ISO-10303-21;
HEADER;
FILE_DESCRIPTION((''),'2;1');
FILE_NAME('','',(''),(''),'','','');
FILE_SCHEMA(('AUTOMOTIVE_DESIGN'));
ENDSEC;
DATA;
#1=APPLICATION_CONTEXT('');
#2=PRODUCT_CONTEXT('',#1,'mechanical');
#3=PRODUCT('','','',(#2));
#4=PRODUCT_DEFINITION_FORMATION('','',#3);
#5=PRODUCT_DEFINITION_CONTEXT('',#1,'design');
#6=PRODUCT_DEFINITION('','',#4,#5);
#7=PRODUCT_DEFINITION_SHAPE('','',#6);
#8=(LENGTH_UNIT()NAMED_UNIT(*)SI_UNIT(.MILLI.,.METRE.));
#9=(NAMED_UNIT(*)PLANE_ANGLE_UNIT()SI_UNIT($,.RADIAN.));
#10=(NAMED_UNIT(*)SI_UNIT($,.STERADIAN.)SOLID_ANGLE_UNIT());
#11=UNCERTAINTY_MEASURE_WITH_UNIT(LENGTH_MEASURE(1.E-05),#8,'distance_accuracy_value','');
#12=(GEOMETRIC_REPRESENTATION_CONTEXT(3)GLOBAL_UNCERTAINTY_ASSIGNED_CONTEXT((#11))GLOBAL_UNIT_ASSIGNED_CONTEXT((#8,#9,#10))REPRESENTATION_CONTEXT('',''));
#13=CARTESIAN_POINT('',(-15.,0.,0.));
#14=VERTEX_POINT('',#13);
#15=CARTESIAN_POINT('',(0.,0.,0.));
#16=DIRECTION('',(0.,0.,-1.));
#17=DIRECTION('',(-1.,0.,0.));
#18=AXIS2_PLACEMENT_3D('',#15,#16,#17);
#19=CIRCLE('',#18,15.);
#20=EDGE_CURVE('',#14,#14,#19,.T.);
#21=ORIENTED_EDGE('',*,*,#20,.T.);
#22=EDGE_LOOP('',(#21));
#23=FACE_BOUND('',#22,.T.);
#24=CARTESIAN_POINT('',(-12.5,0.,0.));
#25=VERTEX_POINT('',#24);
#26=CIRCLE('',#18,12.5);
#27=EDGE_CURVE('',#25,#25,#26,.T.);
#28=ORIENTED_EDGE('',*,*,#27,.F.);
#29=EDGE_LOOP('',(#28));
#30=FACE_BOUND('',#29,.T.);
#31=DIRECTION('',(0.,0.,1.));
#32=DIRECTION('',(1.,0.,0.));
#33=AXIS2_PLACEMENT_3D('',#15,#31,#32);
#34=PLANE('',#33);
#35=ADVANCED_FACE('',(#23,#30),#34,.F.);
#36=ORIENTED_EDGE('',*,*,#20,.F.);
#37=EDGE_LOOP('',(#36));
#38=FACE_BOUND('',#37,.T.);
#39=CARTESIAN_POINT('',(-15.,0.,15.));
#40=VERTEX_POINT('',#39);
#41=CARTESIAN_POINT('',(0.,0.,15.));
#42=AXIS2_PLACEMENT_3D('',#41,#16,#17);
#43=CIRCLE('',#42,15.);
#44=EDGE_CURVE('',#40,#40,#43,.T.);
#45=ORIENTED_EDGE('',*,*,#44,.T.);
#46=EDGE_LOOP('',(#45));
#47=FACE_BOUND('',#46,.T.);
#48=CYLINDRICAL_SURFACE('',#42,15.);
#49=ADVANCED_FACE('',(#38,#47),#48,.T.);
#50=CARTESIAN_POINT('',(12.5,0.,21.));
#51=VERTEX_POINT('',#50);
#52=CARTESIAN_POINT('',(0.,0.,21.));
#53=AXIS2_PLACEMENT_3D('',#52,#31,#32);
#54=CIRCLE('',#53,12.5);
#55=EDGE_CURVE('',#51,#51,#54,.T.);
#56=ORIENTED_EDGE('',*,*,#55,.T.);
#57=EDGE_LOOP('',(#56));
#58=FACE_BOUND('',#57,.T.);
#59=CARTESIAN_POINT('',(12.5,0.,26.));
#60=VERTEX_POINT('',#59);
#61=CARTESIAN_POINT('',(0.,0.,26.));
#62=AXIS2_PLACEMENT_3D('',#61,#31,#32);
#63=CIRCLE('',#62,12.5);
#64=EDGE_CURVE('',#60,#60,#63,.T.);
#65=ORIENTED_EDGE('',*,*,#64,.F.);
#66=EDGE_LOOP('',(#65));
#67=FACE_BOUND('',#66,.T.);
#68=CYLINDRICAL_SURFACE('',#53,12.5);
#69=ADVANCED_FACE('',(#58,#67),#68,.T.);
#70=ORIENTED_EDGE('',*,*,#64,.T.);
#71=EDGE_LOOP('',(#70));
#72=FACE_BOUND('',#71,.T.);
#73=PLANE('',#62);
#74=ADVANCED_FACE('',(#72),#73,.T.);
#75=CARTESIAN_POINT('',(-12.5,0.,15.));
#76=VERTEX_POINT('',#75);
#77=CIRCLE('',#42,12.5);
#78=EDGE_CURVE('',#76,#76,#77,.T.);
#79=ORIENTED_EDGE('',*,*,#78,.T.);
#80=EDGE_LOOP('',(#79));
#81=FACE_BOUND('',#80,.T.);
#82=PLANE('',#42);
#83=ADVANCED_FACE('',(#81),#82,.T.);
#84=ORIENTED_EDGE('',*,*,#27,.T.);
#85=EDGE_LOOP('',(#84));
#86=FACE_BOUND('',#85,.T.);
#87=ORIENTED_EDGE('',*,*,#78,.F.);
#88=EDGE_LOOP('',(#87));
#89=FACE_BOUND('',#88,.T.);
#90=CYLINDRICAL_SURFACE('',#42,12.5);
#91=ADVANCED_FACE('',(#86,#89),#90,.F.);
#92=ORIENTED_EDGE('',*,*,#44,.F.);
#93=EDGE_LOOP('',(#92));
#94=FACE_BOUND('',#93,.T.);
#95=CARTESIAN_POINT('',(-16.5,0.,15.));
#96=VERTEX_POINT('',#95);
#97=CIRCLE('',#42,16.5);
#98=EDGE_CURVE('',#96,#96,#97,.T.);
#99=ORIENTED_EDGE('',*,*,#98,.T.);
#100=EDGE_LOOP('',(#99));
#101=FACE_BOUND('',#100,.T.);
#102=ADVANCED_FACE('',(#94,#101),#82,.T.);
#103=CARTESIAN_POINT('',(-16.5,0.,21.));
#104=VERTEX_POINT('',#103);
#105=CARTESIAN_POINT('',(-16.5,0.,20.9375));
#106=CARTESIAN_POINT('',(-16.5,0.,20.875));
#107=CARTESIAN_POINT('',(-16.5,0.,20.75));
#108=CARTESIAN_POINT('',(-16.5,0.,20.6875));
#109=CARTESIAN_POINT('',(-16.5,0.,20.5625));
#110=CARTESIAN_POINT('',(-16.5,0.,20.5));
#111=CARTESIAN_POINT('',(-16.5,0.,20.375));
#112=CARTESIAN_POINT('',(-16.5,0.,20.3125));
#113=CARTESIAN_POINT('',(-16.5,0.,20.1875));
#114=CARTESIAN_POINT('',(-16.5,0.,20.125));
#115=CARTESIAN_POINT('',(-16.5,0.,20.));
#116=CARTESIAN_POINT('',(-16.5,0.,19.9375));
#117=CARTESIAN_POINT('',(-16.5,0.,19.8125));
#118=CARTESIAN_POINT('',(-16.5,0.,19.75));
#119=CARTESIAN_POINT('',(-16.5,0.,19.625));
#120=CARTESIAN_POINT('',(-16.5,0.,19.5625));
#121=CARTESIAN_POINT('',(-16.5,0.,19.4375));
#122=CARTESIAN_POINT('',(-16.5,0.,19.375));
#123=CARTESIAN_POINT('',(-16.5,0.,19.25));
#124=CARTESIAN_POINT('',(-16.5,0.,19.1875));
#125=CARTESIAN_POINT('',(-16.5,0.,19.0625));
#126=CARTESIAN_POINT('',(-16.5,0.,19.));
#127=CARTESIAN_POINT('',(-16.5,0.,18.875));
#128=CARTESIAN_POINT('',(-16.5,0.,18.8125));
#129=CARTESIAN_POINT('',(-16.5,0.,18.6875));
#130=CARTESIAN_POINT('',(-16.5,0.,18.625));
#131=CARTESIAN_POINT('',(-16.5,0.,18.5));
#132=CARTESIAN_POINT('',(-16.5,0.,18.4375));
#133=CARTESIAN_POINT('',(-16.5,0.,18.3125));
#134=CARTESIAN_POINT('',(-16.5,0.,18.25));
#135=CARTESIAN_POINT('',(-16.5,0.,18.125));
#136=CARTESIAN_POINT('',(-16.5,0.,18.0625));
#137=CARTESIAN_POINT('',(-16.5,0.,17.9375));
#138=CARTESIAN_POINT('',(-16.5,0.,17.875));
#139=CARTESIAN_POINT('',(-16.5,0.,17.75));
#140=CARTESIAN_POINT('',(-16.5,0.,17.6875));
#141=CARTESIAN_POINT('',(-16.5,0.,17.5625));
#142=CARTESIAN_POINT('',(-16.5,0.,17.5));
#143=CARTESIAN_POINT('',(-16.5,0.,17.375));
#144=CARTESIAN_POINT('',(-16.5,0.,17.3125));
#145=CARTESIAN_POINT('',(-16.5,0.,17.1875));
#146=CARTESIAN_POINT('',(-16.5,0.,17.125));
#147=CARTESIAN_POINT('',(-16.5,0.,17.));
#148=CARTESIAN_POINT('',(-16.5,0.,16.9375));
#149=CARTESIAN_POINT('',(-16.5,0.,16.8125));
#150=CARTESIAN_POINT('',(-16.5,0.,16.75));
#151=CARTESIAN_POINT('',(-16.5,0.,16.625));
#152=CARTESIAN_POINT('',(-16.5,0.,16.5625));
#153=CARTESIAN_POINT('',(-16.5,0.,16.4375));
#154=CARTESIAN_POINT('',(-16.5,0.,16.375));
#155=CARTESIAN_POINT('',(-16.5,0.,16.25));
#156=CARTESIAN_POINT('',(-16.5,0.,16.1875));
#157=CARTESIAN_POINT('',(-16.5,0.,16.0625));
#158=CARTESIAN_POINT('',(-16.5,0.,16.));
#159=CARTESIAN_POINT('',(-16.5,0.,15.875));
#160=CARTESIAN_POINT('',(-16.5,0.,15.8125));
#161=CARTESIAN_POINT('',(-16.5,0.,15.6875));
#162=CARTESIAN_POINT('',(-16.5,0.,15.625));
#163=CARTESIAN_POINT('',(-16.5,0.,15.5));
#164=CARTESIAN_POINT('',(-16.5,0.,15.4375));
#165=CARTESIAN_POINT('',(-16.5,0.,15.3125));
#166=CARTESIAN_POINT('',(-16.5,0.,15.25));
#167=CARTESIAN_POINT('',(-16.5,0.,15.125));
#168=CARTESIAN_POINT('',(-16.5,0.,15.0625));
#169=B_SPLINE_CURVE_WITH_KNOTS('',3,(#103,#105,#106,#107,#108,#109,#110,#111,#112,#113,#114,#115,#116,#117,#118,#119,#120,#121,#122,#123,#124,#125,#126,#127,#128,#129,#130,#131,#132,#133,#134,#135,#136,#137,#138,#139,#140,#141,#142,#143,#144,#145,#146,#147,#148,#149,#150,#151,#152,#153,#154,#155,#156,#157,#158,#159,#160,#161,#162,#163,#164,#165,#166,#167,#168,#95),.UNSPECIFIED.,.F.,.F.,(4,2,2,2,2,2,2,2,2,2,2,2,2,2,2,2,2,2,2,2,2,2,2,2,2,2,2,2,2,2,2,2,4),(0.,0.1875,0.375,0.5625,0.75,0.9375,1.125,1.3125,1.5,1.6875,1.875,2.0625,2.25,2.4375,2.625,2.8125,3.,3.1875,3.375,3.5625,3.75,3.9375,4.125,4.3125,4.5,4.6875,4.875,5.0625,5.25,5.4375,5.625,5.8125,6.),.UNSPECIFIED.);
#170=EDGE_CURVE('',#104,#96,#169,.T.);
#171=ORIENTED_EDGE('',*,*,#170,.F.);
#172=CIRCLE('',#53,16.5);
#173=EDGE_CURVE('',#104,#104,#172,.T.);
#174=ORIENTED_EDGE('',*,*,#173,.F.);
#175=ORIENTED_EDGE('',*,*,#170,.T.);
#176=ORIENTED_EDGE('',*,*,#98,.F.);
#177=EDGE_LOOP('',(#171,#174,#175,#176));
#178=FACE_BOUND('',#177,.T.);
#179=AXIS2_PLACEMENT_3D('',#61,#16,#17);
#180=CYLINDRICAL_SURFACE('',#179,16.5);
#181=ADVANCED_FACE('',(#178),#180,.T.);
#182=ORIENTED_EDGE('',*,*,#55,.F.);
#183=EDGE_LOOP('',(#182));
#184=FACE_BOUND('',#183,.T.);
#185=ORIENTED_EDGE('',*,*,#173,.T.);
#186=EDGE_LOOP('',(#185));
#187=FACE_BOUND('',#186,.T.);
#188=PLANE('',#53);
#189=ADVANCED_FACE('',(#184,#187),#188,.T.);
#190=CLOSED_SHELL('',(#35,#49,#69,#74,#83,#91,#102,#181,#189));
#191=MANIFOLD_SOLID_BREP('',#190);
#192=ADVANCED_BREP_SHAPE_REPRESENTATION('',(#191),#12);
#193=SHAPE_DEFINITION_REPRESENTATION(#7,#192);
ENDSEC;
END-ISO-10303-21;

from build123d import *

# Parameters (mm, degrees)
SKETCH1_R           = 16.5
BOSS_EXTRUDE1_DEPTH = 26
CUT_EXTRUDE1_START  = -5
SKETCH2_R           = 16.5
SKETCH2_R_2         = 12.5
CUT_EXTRUDE1_DEPTH  = 5
SKETCH3_R           = 16.5
SKETCH3_R_2         = 15
CUT_EXTRUDE2_DEPTH  = 15
SKETCH4_R           = 12.5
CUT_EXTRUDE3_DEPTH  = 15


with BuildPart() as part:
    # Sketch1 → Boss-Extrude1 (new body)
    with BuildSketch(Plane(origin=(0, 0, 0), x_dir=(0, 1, 0), z_dir=(0, 0, 1))):
        with Locations(Location((0, 0, 0), (0, 0, 90))):
            Circle(SKETCH1_R)
    extrude(amount=BOSS_EXTRUDE1_DEPTH)

    # Sketch2 → Cut-Extrude1 (cut)
    with BuildSketch(Plane.XY.offset(26).offset(CUT_EXTRUDE1_START)):
        with Locations(Location((0, 0, 0), (0, 0, 180))):
            Circle(SKETCH2_R)
        Circle(SKETCH2_R_2, mode=Mode.SUBTRACT)
    extrude(amount=CUT_EXTRUDE1_DEPTH, mode=Mode.SUBTRACT)

    # Sketch3 → Cut-Extrude2 (cut)
    with BuildSketch(Plane(origin=(0, 0, 0), x_dir=(1, 0, 0), z_dir=(0, 0, -1))):
        with Locations(Location((0, 0, 0), (0, 0, 180))):
            Circle(SKETCH3_R)
        with Locations(Location((0, 0, 0), (0, 0, 180))):
            Circle(SKETCH3_R_2, mode=Mode.SUBTRACT)
    extrude(amount=-CUT_EXTRUDE2_DEPTH, mode=Mode.SUBTRACT)

    # Sketch4 → Cut-Extrude3 (cut)
    with BuildSketch(Plane(origin=(0, 0, 0), x_dir=(1, 0, 0), z_dir=(0, 0, -1))):
        Circle(SKETCH4_R)
    extrude(amount=-CUT_EXTRUDE3_DEPTH, mode=Mode.SUBTRACT)


solid = part.part
